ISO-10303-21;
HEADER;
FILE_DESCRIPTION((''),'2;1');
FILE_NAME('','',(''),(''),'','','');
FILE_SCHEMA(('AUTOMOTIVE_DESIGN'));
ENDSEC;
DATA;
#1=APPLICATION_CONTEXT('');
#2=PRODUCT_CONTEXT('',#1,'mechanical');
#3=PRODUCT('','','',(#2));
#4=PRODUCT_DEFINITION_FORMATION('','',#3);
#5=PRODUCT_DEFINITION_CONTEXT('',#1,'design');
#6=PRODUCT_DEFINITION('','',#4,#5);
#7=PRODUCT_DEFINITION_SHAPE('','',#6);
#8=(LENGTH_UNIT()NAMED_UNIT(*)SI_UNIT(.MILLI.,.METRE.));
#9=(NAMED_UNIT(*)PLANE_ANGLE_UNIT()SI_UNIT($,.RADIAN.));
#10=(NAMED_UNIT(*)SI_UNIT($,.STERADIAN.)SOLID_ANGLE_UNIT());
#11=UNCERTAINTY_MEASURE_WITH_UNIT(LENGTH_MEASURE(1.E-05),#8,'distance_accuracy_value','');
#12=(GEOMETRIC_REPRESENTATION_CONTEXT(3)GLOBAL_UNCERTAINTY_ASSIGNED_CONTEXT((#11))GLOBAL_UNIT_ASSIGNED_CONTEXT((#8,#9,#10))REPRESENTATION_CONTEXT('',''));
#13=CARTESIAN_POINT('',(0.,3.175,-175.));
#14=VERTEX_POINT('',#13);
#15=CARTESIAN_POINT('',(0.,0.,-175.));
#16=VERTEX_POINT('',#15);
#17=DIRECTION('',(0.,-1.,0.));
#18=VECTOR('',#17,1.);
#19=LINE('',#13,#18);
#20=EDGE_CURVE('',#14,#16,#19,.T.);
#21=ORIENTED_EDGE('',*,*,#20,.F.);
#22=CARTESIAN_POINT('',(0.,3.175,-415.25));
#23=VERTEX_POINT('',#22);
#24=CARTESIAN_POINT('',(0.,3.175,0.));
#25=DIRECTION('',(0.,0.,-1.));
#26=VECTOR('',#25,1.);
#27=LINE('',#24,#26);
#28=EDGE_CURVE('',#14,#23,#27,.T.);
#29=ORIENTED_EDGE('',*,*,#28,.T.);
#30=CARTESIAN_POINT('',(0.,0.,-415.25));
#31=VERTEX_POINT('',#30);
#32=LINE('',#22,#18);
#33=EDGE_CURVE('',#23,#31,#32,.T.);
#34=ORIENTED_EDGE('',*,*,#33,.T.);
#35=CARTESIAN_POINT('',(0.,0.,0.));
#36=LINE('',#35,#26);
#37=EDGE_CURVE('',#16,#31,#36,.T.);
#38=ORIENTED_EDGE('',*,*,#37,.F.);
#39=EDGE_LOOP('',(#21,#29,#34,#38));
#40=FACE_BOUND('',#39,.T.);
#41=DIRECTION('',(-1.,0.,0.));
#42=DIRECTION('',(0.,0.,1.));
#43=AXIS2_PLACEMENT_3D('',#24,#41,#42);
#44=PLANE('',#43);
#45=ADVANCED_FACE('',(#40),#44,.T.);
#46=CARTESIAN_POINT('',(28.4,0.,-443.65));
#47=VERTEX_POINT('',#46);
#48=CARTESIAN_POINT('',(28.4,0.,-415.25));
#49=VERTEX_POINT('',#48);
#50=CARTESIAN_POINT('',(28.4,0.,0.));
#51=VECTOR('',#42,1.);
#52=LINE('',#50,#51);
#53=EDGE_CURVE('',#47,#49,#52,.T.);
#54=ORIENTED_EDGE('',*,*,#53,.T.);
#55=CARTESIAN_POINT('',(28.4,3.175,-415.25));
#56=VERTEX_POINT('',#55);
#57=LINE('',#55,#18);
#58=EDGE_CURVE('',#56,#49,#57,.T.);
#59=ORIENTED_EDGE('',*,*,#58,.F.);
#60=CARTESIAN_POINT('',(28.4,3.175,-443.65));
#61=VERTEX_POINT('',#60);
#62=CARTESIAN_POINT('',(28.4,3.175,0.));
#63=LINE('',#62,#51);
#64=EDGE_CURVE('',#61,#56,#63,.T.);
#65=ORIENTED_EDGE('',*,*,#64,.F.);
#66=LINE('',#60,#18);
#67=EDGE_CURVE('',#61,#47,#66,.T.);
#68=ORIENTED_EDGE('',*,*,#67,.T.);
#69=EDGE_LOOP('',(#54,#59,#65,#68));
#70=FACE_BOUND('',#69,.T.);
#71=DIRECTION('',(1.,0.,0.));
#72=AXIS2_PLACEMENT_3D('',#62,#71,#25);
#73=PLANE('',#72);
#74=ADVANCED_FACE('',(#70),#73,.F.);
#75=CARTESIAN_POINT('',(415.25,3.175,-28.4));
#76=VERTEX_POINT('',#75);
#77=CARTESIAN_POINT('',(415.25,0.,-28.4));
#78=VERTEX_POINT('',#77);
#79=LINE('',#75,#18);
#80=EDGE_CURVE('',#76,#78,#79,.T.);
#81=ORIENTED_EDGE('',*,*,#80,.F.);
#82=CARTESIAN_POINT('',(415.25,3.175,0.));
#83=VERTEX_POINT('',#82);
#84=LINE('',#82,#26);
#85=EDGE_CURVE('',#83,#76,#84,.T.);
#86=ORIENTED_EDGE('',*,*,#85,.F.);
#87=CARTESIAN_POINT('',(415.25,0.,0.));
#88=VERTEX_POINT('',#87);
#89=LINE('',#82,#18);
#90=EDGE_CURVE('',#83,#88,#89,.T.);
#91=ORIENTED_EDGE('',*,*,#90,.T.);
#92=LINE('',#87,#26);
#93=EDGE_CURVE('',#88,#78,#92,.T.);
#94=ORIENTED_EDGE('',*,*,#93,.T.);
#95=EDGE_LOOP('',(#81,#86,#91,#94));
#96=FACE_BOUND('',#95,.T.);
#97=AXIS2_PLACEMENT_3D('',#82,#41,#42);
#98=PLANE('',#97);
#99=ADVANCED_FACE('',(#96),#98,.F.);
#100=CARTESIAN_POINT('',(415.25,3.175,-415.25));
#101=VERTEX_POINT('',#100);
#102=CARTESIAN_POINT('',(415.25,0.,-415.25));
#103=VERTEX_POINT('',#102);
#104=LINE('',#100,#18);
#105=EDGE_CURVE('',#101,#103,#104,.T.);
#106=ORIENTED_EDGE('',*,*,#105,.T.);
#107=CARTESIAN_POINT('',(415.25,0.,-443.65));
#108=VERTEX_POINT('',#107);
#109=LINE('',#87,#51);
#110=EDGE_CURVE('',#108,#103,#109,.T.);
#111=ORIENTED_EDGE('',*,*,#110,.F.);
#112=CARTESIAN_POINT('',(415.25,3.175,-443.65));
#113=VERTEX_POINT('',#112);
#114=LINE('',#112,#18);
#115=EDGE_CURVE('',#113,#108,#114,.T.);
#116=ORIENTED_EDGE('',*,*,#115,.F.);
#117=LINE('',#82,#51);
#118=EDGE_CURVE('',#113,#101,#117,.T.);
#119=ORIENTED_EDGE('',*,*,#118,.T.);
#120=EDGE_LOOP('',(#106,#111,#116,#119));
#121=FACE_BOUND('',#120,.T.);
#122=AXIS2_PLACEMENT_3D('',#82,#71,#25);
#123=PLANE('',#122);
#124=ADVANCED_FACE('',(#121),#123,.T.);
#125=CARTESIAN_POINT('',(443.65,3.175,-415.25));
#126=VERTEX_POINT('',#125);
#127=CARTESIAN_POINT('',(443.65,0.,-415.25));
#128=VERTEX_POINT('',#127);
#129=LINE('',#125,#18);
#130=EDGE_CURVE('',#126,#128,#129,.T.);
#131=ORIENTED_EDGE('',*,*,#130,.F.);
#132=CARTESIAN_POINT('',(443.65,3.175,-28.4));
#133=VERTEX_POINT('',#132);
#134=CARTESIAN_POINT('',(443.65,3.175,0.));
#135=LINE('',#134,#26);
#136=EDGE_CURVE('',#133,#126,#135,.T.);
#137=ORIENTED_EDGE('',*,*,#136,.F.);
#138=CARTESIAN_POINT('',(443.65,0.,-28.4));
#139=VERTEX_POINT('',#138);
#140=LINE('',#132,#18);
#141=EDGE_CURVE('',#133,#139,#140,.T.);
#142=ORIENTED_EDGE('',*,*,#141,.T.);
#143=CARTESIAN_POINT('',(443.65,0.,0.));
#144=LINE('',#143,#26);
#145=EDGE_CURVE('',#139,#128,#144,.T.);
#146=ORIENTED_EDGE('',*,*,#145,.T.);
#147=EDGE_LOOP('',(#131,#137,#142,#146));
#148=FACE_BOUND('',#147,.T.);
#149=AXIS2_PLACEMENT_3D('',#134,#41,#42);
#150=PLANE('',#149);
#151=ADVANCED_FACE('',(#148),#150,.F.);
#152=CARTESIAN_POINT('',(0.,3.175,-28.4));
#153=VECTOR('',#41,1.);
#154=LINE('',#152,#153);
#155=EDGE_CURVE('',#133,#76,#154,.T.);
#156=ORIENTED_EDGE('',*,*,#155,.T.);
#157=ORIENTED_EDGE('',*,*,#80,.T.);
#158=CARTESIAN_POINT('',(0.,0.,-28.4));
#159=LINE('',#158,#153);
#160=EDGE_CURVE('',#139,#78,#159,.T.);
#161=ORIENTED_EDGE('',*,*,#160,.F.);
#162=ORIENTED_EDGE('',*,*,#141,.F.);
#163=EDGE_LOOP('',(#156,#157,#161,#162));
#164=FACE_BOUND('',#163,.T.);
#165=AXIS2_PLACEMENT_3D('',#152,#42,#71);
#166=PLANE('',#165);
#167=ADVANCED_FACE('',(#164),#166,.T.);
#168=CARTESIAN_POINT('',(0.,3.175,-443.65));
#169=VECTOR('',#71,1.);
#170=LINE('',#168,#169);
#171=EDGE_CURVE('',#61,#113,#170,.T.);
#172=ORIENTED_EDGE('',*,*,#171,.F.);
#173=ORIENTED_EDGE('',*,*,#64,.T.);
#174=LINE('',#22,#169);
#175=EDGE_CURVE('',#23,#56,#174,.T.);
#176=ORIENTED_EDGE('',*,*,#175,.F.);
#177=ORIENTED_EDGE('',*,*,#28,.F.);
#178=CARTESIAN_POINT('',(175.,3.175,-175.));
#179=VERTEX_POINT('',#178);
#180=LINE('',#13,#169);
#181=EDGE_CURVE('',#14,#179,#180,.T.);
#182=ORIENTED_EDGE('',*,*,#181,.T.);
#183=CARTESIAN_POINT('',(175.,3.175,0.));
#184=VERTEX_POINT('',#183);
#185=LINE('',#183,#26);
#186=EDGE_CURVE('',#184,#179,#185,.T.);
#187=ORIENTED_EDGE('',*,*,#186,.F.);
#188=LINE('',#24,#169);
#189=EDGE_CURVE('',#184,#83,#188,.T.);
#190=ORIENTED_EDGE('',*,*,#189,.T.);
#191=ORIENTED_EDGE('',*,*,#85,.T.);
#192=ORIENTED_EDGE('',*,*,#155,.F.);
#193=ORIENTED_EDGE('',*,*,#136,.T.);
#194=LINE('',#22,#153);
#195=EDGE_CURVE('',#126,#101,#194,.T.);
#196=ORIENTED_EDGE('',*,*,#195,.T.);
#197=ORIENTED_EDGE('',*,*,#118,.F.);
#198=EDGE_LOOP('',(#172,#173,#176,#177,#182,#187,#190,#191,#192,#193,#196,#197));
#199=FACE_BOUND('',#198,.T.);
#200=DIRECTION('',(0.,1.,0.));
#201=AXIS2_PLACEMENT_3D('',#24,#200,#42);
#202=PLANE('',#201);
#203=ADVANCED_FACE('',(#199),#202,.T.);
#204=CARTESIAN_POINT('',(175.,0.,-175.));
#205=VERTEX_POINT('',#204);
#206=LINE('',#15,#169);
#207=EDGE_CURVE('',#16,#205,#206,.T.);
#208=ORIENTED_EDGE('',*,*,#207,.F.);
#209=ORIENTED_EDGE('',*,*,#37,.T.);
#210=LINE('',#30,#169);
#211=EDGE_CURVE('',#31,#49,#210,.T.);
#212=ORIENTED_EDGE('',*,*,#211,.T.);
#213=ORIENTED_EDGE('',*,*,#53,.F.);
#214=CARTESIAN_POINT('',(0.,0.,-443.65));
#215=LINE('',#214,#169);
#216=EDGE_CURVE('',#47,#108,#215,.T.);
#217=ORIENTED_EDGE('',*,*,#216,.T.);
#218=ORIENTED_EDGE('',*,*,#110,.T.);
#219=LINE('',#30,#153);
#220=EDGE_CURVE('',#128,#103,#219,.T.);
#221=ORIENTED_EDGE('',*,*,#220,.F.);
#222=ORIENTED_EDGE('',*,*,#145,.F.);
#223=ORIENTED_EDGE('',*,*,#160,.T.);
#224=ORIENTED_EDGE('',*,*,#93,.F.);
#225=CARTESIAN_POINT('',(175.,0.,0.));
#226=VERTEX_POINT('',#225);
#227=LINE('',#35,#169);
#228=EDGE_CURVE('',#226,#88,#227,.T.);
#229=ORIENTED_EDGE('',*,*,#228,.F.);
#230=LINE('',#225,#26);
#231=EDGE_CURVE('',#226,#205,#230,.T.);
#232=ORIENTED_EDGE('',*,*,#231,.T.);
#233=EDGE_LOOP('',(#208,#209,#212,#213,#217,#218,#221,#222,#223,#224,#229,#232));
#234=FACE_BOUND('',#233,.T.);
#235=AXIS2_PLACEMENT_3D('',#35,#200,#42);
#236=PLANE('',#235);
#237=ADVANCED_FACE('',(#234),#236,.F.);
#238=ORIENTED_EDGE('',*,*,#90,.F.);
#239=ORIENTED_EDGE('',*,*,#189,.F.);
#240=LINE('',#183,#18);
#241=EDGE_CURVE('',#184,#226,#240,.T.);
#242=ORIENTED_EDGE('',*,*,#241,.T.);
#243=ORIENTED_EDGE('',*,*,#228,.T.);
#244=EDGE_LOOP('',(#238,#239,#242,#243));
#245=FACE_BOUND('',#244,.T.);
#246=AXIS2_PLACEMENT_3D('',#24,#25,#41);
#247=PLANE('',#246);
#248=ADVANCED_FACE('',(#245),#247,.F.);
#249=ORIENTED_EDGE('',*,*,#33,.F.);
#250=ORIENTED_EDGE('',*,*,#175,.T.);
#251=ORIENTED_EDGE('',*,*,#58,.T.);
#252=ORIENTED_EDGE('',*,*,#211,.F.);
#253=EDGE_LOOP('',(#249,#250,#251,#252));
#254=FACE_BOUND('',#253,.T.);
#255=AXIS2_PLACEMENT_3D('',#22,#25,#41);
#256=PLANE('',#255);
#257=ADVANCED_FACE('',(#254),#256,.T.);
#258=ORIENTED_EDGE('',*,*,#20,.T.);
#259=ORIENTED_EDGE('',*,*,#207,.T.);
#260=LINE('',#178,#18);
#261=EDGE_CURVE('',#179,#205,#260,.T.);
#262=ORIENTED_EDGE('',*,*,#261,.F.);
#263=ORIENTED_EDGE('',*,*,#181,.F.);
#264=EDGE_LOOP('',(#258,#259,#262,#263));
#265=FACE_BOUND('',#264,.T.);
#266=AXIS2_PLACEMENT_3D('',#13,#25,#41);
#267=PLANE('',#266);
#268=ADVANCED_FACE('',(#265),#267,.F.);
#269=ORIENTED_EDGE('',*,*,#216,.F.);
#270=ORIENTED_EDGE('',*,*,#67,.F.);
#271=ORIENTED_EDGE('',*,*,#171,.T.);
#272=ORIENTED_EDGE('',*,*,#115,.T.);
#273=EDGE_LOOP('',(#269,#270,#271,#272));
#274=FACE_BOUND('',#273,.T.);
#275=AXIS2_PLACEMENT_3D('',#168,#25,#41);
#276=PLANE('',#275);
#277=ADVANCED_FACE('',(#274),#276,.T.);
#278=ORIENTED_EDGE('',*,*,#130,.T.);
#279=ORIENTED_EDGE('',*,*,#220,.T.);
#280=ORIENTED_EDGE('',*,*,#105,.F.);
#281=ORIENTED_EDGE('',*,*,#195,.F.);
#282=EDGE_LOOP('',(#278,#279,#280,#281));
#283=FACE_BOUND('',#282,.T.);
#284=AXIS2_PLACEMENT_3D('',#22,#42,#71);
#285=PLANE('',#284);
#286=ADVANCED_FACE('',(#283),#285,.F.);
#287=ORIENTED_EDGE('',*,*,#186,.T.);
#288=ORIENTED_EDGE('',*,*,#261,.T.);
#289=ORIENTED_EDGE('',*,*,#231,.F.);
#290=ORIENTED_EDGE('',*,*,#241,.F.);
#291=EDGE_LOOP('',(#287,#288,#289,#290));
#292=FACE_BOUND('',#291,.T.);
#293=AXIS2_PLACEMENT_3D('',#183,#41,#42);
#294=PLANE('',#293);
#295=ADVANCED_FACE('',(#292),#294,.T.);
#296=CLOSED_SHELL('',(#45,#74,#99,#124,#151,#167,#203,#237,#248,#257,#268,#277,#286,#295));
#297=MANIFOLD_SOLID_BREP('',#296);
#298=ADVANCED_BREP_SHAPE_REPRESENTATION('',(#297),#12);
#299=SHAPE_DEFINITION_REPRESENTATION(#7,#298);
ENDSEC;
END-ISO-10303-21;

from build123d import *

# Parameters (mm, degrees)
BOSS_EXTRUDE1_DEPTH = 3.175


with BuildPart() as part:
    # Sketch1 → Boss-Extrude1 (new body)
    with BuildSketch(Plane(origin=(0, 0, 0), x_dir=(1, 0, 0), z_dir=(0, 1, 0))):
        Polygon((175, 175), (175, 0), (415.25, 0), (415.25, 28.4), (443.65, 28.4), (443.65, 415.25), (415.25, 415.25), (415.25, 443.65), (28.4, 443.65), (28.4, 415.25), (0, 415.25), (0, 175), align=None)
    extrude(amount=BOSS_EXTRUDE1_DEPTH)


solid = part.part
